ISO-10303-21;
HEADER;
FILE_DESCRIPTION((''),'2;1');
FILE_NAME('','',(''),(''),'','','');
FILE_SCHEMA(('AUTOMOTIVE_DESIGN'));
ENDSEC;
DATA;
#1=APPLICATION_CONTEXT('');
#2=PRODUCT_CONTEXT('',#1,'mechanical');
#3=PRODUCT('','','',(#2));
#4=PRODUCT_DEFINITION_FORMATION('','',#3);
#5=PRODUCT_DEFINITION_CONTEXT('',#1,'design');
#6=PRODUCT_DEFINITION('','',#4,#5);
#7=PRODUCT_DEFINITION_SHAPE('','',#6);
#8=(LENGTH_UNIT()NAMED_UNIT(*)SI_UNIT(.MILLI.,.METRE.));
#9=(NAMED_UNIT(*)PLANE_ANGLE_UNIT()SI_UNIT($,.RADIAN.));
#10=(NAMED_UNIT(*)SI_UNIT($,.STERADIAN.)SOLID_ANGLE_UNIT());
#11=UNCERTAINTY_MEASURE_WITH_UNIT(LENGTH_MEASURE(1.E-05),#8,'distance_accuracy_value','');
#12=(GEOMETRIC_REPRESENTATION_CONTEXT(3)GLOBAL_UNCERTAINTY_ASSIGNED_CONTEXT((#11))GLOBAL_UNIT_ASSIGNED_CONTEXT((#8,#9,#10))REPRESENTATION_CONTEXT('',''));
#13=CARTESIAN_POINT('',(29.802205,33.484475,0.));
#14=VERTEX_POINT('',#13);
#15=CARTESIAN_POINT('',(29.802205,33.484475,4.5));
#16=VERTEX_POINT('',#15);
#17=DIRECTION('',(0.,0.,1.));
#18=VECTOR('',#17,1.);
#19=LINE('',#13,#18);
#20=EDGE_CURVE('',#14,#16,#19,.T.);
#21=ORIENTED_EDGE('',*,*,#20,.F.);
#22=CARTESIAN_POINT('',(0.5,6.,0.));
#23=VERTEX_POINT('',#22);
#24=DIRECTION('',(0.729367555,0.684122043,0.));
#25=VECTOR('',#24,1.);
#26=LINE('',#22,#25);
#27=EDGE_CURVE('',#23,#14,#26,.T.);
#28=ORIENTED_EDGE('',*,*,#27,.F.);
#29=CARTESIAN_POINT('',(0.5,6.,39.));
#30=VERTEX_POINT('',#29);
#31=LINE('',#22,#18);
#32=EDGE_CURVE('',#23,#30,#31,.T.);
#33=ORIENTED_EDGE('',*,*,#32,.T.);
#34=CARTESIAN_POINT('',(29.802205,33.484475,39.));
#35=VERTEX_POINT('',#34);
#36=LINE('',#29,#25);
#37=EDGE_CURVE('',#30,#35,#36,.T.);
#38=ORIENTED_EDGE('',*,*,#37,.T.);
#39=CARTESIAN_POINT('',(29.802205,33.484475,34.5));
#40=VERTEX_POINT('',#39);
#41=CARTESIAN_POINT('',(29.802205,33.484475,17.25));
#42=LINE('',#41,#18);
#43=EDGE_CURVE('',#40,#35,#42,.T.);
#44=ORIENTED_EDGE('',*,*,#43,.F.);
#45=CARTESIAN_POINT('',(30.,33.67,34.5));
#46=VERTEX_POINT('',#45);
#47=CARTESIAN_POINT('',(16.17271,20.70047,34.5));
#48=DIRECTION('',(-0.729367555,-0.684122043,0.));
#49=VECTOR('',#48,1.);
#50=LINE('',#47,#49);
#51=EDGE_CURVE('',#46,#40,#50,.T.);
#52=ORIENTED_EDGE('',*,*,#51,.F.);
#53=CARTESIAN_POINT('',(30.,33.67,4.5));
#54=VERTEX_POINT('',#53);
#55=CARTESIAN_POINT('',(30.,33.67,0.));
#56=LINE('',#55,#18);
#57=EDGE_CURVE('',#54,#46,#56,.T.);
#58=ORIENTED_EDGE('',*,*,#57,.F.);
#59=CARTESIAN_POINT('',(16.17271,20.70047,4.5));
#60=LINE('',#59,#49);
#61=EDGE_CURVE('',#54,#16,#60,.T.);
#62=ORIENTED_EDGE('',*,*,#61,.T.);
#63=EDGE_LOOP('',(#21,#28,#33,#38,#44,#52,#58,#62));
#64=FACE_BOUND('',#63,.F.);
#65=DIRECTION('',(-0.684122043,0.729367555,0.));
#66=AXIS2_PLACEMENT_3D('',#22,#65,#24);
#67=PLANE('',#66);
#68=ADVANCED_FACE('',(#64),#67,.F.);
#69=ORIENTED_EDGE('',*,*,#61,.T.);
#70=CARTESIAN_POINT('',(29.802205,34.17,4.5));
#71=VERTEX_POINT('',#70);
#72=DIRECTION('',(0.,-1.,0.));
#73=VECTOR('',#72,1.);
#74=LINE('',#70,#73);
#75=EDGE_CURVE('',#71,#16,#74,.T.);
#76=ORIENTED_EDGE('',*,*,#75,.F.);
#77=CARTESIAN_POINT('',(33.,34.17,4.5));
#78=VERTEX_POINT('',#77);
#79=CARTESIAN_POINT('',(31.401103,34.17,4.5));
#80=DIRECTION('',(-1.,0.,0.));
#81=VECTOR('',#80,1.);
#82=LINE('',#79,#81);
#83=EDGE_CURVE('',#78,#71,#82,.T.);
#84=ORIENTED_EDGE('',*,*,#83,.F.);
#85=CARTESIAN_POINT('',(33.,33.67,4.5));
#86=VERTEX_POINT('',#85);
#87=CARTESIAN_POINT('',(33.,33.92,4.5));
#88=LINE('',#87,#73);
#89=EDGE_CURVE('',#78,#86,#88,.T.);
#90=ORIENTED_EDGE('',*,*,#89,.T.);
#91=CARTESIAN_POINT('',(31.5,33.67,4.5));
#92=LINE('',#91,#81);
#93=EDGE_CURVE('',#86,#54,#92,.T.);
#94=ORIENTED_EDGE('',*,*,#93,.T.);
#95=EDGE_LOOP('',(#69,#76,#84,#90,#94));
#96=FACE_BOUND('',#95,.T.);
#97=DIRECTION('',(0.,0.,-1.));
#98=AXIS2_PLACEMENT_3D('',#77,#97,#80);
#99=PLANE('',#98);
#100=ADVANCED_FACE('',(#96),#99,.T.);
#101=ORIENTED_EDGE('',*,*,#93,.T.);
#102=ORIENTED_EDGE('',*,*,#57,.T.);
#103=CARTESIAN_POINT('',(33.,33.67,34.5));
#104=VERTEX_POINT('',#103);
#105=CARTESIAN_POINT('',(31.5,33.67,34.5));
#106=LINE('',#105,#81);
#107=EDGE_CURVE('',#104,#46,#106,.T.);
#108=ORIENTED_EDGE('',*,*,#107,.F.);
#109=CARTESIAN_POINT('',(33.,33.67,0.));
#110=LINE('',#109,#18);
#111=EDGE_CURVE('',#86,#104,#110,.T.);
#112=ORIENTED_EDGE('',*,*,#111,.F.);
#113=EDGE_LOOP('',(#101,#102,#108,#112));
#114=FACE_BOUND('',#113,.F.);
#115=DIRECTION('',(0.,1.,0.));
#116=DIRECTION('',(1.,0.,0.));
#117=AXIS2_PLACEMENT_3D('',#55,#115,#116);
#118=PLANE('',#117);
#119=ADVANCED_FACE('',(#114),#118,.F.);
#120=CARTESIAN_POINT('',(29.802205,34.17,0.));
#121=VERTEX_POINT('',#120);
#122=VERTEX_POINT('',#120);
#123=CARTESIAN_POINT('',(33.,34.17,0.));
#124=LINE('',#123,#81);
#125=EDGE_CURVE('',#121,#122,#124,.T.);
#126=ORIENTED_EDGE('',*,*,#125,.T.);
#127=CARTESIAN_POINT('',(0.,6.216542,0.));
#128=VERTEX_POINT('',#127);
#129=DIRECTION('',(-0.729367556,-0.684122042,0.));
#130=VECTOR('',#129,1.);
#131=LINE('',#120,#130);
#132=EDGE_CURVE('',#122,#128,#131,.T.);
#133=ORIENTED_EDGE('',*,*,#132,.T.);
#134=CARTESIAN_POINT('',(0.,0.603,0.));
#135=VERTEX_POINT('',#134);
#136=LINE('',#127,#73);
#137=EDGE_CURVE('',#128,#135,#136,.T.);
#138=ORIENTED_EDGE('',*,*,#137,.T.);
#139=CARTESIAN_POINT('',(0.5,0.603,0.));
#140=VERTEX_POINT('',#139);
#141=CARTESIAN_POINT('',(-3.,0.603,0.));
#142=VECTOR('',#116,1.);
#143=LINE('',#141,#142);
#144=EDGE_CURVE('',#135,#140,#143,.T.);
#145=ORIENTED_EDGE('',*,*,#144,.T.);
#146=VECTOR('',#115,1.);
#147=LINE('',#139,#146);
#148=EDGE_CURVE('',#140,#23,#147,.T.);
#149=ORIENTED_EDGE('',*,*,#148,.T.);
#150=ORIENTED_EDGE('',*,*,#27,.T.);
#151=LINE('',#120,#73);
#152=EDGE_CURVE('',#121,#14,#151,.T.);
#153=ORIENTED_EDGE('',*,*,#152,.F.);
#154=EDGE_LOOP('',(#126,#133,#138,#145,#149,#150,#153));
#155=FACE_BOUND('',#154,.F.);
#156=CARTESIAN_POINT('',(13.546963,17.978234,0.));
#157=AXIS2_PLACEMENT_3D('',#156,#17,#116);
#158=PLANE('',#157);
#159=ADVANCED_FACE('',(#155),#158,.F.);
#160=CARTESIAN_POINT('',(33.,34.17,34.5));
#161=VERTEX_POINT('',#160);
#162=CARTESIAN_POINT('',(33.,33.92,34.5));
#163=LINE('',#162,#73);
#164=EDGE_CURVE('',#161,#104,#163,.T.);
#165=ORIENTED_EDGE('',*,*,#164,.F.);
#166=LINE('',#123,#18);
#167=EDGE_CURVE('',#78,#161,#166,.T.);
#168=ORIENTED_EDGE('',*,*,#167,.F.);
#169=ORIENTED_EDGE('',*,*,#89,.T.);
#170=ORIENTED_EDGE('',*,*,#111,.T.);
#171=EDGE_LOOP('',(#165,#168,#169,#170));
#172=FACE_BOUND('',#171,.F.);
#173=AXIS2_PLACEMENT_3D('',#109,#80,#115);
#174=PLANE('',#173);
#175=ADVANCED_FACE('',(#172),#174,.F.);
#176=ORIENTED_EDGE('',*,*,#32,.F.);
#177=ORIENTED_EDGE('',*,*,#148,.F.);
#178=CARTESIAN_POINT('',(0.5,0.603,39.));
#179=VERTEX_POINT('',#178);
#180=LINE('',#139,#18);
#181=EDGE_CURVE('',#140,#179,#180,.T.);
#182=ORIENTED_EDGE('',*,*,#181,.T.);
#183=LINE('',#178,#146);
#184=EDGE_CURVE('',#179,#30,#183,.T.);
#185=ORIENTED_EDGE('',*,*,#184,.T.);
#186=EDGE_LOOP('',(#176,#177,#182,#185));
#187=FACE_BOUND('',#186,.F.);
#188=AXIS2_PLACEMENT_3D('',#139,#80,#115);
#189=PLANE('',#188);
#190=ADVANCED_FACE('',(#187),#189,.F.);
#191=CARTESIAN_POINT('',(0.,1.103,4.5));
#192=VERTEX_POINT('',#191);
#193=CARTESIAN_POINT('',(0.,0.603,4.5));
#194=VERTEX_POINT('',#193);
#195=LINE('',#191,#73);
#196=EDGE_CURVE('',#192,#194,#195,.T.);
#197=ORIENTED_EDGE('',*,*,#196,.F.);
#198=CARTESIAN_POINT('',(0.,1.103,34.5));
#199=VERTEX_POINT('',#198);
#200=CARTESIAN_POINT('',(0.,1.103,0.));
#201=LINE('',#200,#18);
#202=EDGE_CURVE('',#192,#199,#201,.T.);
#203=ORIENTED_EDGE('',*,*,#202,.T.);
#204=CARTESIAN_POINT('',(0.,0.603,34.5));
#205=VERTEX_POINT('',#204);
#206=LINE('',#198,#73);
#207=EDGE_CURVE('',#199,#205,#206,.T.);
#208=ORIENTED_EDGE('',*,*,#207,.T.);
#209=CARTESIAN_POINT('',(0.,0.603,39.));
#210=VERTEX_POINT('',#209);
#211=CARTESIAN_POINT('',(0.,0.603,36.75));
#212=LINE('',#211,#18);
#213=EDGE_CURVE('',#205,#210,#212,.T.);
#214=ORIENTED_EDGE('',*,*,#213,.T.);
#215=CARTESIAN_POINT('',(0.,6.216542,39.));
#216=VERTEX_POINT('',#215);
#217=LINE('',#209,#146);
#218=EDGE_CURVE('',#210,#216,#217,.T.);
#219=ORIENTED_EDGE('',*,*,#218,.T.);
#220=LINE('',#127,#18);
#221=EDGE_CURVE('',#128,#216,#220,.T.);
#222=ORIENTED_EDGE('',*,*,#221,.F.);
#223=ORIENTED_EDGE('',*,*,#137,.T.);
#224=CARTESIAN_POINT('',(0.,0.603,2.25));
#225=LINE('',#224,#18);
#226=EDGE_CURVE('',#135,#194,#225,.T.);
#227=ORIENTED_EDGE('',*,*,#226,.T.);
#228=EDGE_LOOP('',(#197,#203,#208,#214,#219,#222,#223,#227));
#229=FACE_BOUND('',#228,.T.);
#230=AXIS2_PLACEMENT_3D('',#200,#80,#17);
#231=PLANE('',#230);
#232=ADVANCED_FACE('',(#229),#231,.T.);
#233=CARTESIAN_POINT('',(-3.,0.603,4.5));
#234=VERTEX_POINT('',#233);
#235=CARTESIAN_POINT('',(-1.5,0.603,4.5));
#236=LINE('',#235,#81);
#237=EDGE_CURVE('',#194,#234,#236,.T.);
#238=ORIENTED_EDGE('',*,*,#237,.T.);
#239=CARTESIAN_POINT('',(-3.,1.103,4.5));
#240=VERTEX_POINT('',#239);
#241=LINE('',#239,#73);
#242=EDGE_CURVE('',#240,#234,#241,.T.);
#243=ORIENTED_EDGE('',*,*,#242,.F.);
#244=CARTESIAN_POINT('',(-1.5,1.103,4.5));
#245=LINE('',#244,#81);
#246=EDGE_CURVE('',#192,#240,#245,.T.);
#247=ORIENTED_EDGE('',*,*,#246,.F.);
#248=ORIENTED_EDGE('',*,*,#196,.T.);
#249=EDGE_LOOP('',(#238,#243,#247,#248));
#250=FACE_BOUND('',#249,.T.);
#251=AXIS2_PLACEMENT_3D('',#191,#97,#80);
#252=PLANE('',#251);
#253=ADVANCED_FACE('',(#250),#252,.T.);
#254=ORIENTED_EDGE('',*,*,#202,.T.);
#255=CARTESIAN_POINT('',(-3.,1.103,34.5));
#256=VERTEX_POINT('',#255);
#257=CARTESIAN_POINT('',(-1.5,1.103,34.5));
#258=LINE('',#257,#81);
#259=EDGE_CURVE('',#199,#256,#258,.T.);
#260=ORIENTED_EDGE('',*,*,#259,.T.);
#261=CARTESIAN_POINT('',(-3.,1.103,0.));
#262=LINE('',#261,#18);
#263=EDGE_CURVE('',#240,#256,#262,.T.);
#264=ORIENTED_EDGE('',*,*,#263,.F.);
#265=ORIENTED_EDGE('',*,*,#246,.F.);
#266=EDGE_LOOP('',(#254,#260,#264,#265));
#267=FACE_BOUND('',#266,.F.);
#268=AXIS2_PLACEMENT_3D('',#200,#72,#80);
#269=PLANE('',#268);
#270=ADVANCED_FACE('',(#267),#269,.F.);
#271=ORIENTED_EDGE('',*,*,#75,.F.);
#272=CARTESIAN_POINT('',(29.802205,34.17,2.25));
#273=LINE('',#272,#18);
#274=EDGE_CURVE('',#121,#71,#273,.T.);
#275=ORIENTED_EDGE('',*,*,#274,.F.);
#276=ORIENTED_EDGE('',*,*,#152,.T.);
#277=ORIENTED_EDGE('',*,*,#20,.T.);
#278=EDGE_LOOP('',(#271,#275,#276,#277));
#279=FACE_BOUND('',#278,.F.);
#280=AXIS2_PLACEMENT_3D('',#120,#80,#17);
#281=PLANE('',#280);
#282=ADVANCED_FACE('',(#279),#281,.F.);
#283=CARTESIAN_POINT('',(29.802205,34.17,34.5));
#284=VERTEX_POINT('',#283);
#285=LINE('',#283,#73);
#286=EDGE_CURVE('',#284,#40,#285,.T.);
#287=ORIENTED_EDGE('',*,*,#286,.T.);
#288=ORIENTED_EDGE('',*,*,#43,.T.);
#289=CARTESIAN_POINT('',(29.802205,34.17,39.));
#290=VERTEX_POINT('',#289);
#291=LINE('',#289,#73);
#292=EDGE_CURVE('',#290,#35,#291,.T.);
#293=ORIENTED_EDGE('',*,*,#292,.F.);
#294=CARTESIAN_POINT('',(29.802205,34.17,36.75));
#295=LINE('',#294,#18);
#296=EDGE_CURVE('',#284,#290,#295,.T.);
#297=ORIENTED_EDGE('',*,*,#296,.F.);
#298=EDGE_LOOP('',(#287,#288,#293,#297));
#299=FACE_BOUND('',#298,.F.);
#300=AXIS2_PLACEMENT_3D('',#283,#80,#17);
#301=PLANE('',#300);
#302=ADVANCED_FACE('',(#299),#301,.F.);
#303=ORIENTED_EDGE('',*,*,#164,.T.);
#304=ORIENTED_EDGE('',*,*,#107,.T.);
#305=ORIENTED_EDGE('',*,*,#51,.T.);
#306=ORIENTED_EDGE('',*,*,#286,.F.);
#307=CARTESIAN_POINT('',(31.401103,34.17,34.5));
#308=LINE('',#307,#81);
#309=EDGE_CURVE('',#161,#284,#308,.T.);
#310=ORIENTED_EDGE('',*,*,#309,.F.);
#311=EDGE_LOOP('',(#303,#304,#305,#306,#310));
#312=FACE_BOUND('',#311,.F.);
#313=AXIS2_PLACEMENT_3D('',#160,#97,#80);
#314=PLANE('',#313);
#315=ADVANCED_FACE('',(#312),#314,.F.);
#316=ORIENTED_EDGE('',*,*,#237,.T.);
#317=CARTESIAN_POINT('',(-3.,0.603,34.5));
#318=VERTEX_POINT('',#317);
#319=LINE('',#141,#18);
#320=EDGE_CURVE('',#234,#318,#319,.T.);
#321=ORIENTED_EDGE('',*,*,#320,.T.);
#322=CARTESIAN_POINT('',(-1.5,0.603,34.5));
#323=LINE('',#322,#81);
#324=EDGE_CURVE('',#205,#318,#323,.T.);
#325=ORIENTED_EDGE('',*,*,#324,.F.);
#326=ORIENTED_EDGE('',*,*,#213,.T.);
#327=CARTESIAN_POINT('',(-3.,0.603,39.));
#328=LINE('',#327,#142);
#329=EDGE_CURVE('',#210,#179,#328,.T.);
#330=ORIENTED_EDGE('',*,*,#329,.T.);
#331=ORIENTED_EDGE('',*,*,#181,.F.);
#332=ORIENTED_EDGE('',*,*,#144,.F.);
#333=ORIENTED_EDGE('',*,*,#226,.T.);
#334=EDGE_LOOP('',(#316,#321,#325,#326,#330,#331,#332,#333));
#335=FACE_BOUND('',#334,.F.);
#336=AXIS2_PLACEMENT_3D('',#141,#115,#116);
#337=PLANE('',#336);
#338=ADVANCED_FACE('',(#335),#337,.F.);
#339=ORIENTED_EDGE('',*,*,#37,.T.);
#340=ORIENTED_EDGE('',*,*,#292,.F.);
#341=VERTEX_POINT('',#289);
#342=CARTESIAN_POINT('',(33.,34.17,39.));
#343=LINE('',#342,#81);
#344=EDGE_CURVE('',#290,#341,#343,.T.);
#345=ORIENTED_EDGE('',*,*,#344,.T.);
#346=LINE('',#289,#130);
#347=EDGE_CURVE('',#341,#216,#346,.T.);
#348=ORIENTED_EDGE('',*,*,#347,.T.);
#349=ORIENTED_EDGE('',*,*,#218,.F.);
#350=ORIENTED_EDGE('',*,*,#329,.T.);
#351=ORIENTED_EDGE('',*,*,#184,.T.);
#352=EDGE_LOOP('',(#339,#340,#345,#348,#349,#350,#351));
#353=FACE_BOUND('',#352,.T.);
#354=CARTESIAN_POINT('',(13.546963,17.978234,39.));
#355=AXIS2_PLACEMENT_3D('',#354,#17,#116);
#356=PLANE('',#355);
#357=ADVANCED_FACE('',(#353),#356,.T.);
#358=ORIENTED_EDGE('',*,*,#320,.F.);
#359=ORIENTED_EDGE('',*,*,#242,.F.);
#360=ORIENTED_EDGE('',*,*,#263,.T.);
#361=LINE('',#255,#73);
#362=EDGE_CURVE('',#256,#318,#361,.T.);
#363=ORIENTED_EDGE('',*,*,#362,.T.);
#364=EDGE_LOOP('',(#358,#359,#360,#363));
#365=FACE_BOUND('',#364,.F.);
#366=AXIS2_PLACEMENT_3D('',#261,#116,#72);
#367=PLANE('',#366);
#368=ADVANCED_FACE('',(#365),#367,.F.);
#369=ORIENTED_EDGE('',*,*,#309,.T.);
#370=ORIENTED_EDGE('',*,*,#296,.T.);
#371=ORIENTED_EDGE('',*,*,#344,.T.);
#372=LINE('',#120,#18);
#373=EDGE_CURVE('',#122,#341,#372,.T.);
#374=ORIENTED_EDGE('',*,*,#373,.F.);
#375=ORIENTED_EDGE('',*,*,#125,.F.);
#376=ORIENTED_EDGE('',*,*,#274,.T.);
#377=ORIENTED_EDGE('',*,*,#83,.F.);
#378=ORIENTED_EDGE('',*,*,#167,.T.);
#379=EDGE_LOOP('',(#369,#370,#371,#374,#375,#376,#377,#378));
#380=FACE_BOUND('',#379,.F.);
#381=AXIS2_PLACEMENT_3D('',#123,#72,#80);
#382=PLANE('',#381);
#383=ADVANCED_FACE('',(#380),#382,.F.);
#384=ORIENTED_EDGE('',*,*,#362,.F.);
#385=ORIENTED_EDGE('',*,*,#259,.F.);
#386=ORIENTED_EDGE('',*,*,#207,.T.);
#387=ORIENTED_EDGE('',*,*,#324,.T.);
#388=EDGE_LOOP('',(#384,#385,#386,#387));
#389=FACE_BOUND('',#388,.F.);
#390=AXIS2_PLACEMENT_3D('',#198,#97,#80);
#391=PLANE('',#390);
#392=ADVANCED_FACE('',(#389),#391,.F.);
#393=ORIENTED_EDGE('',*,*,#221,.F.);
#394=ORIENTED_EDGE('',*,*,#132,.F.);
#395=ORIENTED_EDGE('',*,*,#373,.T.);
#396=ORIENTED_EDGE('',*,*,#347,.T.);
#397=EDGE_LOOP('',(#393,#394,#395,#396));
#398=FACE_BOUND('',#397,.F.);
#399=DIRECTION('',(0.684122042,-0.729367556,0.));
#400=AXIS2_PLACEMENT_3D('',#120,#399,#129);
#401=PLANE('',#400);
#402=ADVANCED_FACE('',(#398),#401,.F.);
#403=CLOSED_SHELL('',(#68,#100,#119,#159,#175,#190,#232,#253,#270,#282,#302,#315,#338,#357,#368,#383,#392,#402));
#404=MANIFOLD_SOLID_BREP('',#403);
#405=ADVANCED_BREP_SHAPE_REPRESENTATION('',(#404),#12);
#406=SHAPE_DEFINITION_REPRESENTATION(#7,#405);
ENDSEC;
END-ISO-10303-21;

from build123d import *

# Parameters (mm, degrees)
F1_DEPTH = 39
F2_W     = 3
F2_H     = 4.5
F3_DEPTH = 0.5
F4_W     = 3.197795
F4_H     = 4.5
F5_DEPTH = 1


with BuildPart() as f1:
    # F0 (on Top) → F1 (new body)
    with BuildSketch(Plane.XY):
        Polygon((-3, 0.603), (0.5, 0.603), (0.5, 6), (30, 33.67), (33, 33.67), (33, 34.17), (29.802205, 34.17), (0, 6.216542), (0, 1.103), (-3, 1.103), align=None)
    extrude(amount=F1_DEPTH)

    # F2 (on face) → F3 (cut, through all)
    with BuildSketch(Plane(origin=(0, 1.103, 0), x_dir=(-1, 0, 0), z_dir=(0, 1, 0))):
        with Locations((1.5, 2.25)):
            Rectangle(F2_W, F2_H)
        with Locations((1.5, 36.75)):
            Rectangle(F2_W, F2_H)
    extrude(amount=-F3_DEPTH, mode=Mode.SUBTRACT)

    # F4 (on face) → F5 (cut)
    with BuildSketch(Plane(origin=(0, 34.17, 0), x_dir=(-1, 0, 0), z_dir=(0, 1, 0))):
        with Locations((-31.401103, 36.75)):
            Rectangle(F4_W, F4_H)
        with Locations((-31.401103, 2.25)):
            Rectangle(F4_W, F4_H)
    extrude(amount=-F5_DEPTH, mode=Mode.SUBTRACT)


solid = f1.part
